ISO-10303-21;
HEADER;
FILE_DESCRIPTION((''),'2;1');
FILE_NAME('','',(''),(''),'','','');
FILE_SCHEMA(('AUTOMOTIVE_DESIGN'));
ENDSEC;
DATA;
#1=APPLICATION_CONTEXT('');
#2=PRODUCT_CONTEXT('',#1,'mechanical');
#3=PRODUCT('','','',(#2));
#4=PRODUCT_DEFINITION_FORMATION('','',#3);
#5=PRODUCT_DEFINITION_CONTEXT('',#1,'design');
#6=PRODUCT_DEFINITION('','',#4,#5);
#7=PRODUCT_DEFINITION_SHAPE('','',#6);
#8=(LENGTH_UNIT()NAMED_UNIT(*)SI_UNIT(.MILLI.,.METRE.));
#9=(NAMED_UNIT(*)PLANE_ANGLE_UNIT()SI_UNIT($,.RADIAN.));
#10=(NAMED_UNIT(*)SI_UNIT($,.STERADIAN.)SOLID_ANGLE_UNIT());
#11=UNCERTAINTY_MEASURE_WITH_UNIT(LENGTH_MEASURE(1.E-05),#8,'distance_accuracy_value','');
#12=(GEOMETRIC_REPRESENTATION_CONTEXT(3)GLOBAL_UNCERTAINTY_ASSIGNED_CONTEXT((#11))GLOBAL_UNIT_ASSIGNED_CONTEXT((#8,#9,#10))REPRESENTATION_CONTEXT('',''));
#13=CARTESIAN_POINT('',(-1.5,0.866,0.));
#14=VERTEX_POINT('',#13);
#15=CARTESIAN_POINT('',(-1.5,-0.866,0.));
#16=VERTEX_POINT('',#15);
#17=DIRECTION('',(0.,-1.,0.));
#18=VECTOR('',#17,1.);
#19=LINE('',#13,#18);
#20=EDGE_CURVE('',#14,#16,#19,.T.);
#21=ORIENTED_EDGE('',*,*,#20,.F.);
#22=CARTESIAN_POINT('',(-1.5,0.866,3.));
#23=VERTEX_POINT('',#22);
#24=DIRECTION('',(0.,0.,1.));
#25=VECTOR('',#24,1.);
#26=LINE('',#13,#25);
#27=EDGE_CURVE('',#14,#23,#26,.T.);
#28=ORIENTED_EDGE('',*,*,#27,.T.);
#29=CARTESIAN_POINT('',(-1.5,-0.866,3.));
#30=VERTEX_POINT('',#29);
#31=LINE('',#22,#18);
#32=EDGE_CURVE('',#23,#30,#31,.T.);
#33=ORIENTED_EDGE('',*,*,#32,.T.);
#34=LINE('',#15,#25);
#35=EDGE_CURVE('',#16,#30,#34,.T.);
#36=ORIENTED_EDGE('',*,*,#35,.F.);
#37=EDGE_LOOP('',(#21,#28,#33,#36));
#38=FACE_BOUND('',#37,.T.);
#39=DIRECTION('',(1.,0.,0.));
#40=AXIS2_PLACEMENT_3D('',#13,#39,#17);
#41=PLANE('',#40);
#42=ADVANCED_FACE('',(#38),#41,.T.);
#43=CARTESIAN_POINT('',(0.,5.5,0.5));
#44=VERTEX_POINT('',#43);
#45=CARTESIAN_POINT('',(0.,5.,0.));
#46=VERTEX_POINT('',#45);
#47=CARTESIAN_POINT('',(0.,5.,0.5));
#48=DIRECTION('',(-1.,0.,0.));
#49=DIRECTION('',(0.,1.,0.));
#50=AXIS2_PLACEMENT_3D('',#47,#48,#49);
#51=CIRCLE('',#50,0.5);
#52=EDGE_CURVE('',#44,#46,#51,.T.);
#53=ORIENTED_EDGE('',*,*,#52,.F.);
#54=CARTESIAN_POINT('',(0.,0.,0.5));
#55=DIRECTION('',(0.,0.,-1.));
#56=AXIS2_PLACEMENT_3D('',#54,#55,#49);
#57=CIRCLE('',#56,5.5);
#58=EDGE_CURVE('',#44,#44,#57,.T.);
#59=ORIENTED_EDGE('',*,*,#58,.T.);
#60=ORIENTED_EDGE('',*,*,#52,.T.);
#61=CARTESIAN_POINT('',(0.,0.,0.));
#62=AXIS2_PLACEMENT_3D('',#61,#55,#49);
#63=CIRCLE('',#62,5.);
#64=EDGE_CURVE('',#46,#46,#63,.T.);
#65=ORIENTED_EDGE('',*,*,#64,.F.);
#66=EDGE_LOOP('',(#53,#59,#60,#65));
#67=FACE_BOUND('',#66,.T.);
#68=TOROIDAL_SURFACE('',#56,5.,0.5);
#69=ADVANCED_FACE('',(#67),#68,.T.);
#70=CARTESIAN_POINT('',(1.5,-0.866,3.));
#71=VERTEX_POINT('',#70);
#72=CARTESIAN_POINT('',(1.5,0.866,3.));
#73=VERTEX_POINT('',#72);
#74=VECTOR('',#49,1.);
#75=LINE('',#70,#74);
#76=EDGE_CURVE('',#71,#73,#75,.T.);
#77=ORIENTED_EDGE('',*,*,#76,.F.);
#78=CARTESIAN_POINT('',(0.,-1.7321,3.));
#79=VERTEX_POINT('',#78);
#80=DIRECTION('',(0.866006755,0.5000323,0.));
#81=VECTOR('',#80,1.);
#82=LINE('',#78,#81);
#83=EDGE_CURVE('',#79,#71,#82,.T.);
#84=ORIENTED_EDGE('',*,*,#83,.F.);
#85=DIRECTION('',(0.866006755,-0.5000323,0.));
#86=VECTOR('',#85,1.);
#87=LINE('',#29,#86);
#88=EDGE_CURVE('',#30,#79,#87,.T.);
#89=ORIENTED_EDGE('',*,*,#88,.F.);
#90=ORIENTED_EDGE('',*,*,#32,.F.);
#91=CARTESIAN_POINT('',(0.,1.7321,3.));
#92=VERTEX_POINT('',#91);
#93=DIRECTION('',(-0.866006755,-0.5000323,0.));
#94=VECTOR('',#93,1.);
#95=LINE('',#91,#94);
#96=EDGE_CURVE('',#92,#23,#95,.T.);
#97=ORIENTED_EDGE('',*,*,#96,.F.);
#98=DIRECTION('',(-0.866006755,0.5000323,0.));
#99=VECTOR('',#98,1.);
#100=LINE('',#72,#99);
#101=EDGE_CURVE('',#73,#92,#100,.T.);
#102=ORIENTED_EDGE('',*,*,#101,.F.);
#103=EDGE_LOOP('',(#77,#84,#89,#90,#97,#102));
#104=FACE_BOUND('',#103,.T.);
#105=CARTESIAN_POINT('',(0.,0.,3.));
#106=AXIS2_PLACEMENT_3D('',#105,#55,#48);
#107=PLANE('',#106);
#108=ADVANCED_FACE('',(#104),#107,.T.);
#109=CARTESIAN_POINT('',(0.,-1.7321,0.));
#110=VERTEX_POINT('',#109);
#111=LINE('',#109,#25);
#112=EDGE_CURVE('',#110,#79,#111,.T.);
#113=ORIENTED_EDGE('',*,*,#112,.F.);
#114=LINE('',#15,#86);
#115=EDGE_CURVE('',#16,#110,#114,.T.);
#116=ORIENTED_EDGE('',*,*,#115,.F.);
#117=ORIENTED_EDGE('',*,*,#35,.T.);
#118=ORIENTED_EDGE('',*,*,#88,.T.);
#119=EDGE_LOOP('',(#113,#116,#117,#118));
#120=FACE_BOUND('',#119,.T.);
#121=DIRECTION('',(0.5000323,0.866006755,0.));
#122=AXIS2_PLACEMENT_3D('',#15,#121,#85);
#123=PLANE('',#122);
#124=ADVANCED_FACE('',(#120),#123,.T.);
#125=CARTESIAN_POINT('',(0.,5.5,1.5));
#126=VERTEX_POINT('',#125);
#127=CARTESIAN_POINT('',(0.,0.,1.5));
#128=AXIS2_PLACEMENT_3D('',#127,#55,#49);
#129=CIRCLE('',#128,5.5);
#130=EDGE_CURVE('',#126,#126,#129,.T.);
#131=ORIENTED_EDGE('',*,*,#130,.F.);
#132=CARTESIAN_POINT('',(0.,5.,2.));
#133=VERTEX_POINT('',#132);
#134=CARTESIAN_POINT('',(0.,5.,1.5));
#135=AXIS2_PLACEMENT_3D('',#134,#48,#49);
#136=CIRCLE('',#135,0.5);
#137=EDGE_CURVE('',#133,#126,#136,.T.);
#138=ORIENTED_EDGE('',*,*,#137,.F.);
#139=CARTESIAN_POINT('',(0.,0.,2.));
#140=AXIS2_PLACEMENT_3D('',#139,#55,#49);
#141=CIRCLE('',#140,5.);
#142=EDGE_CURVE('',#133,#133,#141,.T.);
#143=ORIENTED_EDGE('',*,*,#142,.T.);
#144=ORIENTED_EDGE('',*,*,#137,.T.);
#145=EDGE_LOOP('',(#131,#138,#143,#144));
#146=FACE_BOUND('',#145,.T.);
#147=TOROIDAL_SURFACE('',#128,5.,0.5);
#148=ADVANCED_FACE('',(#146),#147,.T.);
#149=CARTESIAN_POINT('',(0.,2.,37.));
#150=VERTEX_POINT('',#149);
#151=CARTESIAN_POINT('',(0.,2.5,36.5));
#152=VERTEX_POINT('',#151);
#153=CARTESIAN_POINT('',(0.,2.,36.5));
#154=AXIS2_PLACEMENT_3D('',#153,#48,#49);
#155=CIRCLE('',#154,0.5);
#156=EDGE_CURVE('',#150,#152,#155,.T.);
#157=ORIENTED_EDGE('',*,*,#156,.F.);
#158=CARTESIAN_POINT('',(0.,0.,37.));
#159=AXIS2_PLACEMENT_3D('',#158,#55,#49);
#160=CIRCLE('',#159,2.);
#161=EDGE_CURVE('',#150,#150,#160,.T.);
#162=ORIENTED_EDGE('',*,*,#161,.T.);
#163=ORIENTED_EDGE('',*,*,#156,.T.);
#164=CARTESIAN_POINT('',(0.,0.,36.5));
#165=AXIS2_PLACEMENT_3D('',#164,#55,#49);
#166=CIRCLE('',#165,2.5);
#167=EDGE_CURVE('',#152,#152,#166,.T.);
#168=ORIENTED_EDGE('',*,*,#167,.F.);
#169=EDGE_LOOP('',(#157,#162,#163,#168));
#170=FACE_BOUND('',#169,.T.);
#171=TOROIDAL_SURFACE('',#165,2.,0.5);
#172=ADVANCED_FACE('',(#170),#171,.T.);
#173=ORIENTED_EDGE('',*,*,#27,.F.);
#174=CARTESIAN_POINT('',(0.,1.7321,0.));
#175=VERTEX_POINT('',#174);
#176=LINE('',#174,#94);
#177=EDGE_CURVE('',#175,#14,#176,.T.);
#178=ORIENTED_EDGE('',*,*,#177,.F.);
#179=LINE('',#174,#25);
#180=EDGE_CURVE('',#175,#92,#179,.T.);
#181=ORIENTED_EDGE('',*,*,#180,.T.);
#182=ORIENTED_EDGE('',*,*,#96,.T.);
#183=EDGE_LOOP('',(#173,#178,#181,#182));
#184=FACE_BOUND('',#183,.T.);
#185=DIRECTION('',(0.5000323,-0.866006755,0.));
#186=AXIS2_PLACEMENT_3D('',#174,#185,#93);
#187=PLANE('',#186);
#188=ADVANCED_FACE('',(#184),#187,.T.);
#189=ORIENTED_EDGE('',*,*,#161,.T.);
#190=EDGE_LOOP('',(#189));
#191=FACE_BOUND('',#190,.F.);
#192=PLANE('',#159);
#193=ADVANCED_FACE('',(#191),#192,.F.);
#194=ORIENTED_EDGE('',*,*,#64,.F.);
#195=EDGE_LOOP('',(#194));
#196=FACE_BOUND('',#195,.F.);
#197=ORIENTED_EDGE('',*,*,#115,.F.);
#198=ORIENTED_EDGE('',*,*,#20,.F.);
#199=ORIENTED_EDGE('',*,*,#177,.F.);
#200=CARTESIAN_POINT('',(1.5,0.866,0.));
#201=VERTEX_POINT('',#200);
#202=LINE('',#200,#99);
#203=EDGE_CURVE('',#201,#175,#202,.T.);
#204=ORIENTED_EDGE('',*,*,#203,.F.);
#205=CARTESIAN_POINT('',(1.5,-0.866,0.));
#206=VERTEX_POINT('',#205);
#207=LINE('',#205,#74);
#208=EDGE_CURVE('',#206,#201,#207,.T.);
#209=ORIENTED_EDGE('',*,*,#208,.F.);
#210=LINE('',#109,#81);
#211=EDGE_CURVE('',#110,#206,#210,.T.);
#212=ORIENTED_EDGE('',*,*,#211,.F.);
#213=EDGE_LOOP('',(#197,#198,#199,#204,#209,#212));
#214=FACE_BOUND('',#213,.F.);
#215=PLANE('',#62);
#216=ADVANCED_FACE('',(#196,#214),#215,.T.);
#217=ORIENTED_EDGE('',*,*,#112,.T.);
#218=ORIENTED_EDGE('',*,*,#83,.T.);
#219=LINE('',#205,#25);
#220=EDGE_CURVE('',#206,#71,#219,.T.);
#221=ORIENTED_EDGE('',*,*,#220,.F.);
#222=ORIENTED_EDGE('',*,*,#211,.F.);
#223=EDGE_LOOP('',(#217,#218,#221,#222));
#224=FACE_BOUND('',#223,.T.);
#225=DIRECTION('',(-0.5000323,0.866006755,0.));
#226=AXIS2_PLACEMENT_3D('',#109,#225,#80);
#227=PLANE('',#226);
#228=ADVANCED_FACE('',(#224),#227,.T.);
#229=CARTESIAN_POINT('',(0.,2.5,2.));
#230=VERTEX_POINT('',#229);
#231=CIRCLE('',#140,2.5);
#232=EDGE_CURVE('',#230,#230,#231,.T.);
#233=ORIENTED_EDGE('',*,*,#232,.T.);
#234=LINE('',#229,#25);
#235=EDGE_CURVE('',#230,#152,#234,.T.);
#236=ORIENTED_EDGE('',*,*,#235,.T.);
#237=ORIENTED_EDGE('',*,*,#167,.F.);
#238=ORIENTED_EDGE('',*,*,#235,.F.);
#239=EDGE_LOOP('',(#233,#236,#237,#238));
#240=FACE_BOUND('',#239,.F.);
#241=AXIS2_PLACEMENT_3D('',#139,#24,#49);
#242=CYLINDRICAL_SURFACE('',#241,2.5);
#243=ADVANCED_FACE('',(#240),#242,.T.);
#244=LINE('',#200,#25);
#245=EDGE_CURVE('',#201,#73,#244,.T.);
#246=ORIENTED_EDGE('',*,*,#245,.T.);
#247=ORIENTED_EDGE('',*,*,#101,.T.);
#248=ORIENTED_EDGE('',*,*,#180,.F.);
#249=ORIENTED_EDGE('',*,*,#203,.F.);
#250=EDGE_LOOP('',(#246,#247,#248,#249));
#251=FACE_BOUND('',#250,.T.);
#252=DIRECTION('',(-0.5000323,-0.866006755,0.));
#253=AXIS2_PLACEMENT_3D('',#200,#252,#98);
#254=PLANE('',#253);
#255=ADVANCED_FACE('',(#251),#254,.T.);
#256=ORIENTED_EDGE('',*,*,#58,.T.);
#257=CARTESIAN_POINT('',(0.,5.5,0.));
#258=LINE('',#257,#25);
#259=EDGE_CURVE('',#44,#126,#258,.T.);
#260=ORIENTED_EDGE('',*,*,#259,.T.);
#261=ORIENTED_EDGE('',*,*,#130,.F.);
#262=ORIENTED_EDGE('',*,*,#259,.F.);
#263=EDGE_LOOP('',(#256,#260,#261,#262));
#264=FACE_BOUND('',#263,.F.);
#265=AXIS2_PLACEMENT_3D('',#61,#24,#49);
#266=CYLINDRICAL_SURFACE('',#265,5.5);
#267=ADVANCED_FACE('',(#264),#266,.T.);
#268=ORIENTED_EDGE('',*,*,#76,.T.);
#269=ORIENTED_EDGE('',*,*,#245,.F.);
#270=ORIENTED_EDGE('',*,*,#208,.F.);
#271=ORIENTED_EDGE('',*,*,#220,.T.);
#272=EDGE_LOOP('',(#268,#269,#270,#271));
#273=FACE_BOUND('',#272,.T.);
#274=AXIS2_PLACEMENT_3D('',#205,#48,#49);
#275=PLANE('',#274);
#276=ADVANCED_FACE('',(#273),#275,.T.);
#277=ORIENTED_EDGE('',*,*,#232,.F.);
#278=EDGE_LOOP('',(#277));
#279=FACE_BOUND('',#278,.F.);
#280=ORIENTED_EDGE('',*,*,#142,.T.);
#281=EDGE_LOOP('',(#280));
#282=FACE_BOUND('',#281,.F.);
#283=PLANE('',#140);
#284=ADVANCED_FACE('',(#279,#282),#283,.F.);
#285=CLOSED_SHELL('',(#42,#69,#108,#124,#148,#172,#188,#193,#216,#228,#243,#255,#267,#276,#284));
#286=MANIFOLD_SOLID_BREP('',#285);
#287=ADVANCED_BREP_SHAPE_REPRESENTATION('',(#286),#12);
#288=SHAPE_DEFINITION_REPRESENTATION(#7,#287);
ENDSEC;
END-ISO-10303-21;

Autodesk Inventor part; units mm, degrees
ref_plane "YZ Plane" through (0, 0, 0) normal (1, 0, 0) x (0, 1, 0)
ref_plane "XZ Plane" through (0, 0, 0) normal (0, 1, 0) x (-1, 0, 0)
ref_plane "XY Plane" through (0, 0, 0) normal (0, 0, 1) x (1, 0, 0)
sketch "Sketch1" plane through (0, 0, 0) normal (1, 0, 0) x (0, 1, 0)
  line L0 (0, 0) -> (5.5, 0)
  line L1 (5.5, 0) -> (5.5, 2)
  line L2 (5.5, 2) -> (2.5, 2)
  line L3 (2.5, 2) -> (2.5, 37)
  line L4 (2.5, 37) -> (0, 37)
  line L5 (0, 37) -> (0, 0)
  dimension "d0" = 35
  dimension "d1" = 2
  dimension "d2" = 5.5
  dimension "d3" = 2.5
revolve "Revolution1" add sketch "Sketch1" angle 360 about axis through (0, 0, 37) along (0, 0, -1)
fillet "Fillet1" radius 0.5 3 edges at (0, -5.5, 0) (0, -5.5, 2) (0, -2.5, 37)
sketch "Sketch2" plane through (0, 0, 0) normal (0, 0, -1) x (-1, 0, 0)
  circle A0 centre (0, 0) radius 5 projected
  line L0 (1.5, -0.866) -> (0, -1.7321)
  line L1 (0, -1.7321) -> (-1.5, -0.866)
  line L2 (-1.5, -0.866) -> (-1.5, 0.866)
  line L3 (-1.5, 0.866) -> (0, 1.7321)
  line L4 (0, 1.7321) -> (1.5, 0.866)
  line L5 (1.5, 0.866) -> (1.5, -0.866)
  dimension "d6" = 3
extrude "Extrusion1" cut sketch "Sketch2" against normal blind 3 contours L0 L1 L2 L3 L4 L5
thread "Thread1" size "M5x0.8" class "6g" standard "ANSI Metric M Profile" length 30 offset 3
properties part number "M5x35 low profile screw"
